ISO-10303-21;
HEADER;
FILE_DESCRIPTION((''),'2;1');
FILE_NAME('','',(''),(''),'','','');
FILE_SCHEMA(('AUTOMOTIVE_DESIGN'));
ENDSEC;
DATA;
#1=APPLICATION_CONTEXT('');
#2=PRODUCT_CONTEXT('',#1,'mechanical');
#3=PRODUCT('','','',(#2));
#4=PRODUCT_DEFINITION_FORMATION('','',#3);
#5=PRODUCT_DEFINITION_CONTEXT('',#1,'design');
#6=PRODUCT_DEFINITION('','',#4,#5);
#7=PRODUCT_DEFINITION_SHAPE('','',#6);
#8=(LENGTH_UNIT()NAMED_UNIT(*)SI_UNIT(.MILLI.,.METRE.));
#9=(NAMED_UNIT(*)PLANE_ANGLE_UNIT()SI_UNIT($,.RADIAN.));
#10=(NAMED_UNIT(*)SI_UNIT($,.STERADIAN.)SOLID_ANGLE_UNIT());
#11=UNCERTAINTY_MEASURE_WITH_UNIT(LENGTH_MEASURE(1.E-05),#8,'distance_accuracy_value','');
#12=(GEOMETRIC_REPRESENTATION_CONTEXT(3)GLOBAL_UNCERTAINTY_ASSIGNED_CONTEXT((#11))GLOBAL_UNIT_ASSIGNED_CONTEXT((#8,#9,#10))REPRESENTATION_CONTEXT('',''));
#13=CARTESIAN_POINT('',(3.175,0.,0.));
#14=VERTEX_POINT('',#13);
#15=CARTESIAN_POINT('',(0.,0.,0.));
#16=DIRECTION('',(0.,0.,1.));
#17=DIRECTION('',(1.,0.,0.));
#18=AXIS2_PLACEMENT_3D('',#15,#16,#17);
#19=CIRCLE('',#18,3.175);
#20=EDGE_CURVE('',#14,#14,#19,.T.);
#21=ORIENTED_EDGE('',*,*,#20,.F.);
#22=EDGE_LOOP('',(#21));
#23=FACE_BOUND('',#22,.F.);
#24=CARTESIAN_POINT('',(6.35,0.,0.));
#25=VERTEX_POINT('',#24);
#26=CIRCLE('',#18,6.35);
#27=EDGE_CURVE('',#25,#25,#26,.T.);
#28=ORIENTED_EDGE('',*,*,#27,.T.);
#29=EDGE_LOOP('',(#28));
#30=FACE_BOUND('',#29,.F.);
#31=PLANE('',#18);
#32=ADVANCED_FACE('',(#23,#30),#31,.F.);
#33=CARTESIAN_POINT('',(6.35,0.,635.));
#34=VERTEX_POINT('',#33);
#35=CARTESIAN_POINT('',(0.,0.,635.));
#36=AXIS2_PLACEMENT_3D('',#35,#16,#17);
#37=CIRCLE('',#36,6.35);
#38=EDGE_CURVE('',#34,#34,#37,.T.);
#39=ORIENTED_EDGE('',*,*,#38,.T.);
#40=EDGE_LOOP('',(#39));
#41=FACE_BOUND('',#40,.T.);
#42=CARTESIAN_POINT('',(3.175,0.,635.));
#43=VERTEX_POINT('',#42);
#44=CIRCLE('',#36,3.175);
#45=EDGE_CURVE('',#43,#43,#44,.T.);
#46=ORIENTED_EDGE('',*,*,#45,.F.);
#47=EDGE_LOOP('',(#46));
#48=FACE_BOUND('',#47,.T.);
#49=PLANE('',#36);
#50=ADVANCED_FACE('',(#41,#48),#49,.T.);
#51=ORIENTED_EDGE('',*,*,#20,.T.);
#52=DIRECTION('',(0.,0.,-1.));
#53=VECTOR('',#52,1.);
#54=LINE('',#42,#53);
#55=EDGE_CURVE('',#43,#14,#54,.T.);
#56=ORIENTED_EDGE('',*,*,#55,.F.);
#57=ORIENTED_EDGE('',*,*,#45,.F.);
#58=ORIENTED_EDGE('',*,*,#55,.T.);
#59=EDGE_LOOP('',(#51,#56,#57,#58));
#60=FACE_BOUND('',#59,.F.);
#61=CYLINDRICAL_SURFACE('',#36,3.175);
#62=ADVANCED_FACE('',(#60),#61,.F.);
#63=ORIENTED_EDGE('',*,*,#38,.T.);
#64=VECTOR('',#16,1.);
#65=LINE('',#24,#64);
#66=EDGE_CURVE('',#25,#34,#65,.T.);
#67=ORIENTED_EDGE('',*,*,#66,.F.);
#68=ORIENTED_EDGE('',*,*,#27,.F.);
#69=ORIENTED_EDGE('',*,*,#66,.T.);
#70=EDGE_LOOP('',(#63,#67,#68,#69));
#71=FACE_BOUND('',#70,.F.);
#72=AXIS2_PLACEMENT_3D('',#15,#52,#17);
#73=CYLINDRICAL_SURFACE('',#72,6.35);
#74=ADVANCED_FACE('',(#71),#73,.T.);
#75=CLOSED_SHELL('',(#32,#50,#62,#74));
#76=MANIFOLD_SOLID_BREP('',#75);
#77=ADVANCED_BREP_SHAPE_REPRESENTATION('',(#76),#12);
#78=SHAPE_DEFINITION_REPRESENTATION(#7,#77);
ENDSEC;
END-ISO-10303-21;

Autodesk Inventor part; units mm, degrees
ref_plane "YZ Plane" through (0, 0, 0) normal (1, 0, 0) x (0, 1, 0)
ref_plane "XZ Plane" through (0, 0, 0) normal (0, 1, 0) x (-1, 0, 0)
ref_plane "XY Plane" through (0, 0, 0) normal (0, 0, 1) x (1, 0, 0)
sketch "Sketch1" plane through (0, 0, 0) normal (0, 0, 1) x (1, 0, 0)
  circle A0 centre (0, 0) radius 6.35
  dimension "d0" = 12.7
extrude "Extrusion1" add sketch "Sketch1" along normal blind 635
sketch "Sketch2" plane through (0, 0, 635) normal (0, 0, 1) x (1, 0, 0)
  circle A0 centre (0, 0) radius 3.175
  dimension "d3" = 6.35
extrude "Extrusion2" cut sketch "Sketch2" against normal blind 635
properties part number "Extender - .5 in tube"
